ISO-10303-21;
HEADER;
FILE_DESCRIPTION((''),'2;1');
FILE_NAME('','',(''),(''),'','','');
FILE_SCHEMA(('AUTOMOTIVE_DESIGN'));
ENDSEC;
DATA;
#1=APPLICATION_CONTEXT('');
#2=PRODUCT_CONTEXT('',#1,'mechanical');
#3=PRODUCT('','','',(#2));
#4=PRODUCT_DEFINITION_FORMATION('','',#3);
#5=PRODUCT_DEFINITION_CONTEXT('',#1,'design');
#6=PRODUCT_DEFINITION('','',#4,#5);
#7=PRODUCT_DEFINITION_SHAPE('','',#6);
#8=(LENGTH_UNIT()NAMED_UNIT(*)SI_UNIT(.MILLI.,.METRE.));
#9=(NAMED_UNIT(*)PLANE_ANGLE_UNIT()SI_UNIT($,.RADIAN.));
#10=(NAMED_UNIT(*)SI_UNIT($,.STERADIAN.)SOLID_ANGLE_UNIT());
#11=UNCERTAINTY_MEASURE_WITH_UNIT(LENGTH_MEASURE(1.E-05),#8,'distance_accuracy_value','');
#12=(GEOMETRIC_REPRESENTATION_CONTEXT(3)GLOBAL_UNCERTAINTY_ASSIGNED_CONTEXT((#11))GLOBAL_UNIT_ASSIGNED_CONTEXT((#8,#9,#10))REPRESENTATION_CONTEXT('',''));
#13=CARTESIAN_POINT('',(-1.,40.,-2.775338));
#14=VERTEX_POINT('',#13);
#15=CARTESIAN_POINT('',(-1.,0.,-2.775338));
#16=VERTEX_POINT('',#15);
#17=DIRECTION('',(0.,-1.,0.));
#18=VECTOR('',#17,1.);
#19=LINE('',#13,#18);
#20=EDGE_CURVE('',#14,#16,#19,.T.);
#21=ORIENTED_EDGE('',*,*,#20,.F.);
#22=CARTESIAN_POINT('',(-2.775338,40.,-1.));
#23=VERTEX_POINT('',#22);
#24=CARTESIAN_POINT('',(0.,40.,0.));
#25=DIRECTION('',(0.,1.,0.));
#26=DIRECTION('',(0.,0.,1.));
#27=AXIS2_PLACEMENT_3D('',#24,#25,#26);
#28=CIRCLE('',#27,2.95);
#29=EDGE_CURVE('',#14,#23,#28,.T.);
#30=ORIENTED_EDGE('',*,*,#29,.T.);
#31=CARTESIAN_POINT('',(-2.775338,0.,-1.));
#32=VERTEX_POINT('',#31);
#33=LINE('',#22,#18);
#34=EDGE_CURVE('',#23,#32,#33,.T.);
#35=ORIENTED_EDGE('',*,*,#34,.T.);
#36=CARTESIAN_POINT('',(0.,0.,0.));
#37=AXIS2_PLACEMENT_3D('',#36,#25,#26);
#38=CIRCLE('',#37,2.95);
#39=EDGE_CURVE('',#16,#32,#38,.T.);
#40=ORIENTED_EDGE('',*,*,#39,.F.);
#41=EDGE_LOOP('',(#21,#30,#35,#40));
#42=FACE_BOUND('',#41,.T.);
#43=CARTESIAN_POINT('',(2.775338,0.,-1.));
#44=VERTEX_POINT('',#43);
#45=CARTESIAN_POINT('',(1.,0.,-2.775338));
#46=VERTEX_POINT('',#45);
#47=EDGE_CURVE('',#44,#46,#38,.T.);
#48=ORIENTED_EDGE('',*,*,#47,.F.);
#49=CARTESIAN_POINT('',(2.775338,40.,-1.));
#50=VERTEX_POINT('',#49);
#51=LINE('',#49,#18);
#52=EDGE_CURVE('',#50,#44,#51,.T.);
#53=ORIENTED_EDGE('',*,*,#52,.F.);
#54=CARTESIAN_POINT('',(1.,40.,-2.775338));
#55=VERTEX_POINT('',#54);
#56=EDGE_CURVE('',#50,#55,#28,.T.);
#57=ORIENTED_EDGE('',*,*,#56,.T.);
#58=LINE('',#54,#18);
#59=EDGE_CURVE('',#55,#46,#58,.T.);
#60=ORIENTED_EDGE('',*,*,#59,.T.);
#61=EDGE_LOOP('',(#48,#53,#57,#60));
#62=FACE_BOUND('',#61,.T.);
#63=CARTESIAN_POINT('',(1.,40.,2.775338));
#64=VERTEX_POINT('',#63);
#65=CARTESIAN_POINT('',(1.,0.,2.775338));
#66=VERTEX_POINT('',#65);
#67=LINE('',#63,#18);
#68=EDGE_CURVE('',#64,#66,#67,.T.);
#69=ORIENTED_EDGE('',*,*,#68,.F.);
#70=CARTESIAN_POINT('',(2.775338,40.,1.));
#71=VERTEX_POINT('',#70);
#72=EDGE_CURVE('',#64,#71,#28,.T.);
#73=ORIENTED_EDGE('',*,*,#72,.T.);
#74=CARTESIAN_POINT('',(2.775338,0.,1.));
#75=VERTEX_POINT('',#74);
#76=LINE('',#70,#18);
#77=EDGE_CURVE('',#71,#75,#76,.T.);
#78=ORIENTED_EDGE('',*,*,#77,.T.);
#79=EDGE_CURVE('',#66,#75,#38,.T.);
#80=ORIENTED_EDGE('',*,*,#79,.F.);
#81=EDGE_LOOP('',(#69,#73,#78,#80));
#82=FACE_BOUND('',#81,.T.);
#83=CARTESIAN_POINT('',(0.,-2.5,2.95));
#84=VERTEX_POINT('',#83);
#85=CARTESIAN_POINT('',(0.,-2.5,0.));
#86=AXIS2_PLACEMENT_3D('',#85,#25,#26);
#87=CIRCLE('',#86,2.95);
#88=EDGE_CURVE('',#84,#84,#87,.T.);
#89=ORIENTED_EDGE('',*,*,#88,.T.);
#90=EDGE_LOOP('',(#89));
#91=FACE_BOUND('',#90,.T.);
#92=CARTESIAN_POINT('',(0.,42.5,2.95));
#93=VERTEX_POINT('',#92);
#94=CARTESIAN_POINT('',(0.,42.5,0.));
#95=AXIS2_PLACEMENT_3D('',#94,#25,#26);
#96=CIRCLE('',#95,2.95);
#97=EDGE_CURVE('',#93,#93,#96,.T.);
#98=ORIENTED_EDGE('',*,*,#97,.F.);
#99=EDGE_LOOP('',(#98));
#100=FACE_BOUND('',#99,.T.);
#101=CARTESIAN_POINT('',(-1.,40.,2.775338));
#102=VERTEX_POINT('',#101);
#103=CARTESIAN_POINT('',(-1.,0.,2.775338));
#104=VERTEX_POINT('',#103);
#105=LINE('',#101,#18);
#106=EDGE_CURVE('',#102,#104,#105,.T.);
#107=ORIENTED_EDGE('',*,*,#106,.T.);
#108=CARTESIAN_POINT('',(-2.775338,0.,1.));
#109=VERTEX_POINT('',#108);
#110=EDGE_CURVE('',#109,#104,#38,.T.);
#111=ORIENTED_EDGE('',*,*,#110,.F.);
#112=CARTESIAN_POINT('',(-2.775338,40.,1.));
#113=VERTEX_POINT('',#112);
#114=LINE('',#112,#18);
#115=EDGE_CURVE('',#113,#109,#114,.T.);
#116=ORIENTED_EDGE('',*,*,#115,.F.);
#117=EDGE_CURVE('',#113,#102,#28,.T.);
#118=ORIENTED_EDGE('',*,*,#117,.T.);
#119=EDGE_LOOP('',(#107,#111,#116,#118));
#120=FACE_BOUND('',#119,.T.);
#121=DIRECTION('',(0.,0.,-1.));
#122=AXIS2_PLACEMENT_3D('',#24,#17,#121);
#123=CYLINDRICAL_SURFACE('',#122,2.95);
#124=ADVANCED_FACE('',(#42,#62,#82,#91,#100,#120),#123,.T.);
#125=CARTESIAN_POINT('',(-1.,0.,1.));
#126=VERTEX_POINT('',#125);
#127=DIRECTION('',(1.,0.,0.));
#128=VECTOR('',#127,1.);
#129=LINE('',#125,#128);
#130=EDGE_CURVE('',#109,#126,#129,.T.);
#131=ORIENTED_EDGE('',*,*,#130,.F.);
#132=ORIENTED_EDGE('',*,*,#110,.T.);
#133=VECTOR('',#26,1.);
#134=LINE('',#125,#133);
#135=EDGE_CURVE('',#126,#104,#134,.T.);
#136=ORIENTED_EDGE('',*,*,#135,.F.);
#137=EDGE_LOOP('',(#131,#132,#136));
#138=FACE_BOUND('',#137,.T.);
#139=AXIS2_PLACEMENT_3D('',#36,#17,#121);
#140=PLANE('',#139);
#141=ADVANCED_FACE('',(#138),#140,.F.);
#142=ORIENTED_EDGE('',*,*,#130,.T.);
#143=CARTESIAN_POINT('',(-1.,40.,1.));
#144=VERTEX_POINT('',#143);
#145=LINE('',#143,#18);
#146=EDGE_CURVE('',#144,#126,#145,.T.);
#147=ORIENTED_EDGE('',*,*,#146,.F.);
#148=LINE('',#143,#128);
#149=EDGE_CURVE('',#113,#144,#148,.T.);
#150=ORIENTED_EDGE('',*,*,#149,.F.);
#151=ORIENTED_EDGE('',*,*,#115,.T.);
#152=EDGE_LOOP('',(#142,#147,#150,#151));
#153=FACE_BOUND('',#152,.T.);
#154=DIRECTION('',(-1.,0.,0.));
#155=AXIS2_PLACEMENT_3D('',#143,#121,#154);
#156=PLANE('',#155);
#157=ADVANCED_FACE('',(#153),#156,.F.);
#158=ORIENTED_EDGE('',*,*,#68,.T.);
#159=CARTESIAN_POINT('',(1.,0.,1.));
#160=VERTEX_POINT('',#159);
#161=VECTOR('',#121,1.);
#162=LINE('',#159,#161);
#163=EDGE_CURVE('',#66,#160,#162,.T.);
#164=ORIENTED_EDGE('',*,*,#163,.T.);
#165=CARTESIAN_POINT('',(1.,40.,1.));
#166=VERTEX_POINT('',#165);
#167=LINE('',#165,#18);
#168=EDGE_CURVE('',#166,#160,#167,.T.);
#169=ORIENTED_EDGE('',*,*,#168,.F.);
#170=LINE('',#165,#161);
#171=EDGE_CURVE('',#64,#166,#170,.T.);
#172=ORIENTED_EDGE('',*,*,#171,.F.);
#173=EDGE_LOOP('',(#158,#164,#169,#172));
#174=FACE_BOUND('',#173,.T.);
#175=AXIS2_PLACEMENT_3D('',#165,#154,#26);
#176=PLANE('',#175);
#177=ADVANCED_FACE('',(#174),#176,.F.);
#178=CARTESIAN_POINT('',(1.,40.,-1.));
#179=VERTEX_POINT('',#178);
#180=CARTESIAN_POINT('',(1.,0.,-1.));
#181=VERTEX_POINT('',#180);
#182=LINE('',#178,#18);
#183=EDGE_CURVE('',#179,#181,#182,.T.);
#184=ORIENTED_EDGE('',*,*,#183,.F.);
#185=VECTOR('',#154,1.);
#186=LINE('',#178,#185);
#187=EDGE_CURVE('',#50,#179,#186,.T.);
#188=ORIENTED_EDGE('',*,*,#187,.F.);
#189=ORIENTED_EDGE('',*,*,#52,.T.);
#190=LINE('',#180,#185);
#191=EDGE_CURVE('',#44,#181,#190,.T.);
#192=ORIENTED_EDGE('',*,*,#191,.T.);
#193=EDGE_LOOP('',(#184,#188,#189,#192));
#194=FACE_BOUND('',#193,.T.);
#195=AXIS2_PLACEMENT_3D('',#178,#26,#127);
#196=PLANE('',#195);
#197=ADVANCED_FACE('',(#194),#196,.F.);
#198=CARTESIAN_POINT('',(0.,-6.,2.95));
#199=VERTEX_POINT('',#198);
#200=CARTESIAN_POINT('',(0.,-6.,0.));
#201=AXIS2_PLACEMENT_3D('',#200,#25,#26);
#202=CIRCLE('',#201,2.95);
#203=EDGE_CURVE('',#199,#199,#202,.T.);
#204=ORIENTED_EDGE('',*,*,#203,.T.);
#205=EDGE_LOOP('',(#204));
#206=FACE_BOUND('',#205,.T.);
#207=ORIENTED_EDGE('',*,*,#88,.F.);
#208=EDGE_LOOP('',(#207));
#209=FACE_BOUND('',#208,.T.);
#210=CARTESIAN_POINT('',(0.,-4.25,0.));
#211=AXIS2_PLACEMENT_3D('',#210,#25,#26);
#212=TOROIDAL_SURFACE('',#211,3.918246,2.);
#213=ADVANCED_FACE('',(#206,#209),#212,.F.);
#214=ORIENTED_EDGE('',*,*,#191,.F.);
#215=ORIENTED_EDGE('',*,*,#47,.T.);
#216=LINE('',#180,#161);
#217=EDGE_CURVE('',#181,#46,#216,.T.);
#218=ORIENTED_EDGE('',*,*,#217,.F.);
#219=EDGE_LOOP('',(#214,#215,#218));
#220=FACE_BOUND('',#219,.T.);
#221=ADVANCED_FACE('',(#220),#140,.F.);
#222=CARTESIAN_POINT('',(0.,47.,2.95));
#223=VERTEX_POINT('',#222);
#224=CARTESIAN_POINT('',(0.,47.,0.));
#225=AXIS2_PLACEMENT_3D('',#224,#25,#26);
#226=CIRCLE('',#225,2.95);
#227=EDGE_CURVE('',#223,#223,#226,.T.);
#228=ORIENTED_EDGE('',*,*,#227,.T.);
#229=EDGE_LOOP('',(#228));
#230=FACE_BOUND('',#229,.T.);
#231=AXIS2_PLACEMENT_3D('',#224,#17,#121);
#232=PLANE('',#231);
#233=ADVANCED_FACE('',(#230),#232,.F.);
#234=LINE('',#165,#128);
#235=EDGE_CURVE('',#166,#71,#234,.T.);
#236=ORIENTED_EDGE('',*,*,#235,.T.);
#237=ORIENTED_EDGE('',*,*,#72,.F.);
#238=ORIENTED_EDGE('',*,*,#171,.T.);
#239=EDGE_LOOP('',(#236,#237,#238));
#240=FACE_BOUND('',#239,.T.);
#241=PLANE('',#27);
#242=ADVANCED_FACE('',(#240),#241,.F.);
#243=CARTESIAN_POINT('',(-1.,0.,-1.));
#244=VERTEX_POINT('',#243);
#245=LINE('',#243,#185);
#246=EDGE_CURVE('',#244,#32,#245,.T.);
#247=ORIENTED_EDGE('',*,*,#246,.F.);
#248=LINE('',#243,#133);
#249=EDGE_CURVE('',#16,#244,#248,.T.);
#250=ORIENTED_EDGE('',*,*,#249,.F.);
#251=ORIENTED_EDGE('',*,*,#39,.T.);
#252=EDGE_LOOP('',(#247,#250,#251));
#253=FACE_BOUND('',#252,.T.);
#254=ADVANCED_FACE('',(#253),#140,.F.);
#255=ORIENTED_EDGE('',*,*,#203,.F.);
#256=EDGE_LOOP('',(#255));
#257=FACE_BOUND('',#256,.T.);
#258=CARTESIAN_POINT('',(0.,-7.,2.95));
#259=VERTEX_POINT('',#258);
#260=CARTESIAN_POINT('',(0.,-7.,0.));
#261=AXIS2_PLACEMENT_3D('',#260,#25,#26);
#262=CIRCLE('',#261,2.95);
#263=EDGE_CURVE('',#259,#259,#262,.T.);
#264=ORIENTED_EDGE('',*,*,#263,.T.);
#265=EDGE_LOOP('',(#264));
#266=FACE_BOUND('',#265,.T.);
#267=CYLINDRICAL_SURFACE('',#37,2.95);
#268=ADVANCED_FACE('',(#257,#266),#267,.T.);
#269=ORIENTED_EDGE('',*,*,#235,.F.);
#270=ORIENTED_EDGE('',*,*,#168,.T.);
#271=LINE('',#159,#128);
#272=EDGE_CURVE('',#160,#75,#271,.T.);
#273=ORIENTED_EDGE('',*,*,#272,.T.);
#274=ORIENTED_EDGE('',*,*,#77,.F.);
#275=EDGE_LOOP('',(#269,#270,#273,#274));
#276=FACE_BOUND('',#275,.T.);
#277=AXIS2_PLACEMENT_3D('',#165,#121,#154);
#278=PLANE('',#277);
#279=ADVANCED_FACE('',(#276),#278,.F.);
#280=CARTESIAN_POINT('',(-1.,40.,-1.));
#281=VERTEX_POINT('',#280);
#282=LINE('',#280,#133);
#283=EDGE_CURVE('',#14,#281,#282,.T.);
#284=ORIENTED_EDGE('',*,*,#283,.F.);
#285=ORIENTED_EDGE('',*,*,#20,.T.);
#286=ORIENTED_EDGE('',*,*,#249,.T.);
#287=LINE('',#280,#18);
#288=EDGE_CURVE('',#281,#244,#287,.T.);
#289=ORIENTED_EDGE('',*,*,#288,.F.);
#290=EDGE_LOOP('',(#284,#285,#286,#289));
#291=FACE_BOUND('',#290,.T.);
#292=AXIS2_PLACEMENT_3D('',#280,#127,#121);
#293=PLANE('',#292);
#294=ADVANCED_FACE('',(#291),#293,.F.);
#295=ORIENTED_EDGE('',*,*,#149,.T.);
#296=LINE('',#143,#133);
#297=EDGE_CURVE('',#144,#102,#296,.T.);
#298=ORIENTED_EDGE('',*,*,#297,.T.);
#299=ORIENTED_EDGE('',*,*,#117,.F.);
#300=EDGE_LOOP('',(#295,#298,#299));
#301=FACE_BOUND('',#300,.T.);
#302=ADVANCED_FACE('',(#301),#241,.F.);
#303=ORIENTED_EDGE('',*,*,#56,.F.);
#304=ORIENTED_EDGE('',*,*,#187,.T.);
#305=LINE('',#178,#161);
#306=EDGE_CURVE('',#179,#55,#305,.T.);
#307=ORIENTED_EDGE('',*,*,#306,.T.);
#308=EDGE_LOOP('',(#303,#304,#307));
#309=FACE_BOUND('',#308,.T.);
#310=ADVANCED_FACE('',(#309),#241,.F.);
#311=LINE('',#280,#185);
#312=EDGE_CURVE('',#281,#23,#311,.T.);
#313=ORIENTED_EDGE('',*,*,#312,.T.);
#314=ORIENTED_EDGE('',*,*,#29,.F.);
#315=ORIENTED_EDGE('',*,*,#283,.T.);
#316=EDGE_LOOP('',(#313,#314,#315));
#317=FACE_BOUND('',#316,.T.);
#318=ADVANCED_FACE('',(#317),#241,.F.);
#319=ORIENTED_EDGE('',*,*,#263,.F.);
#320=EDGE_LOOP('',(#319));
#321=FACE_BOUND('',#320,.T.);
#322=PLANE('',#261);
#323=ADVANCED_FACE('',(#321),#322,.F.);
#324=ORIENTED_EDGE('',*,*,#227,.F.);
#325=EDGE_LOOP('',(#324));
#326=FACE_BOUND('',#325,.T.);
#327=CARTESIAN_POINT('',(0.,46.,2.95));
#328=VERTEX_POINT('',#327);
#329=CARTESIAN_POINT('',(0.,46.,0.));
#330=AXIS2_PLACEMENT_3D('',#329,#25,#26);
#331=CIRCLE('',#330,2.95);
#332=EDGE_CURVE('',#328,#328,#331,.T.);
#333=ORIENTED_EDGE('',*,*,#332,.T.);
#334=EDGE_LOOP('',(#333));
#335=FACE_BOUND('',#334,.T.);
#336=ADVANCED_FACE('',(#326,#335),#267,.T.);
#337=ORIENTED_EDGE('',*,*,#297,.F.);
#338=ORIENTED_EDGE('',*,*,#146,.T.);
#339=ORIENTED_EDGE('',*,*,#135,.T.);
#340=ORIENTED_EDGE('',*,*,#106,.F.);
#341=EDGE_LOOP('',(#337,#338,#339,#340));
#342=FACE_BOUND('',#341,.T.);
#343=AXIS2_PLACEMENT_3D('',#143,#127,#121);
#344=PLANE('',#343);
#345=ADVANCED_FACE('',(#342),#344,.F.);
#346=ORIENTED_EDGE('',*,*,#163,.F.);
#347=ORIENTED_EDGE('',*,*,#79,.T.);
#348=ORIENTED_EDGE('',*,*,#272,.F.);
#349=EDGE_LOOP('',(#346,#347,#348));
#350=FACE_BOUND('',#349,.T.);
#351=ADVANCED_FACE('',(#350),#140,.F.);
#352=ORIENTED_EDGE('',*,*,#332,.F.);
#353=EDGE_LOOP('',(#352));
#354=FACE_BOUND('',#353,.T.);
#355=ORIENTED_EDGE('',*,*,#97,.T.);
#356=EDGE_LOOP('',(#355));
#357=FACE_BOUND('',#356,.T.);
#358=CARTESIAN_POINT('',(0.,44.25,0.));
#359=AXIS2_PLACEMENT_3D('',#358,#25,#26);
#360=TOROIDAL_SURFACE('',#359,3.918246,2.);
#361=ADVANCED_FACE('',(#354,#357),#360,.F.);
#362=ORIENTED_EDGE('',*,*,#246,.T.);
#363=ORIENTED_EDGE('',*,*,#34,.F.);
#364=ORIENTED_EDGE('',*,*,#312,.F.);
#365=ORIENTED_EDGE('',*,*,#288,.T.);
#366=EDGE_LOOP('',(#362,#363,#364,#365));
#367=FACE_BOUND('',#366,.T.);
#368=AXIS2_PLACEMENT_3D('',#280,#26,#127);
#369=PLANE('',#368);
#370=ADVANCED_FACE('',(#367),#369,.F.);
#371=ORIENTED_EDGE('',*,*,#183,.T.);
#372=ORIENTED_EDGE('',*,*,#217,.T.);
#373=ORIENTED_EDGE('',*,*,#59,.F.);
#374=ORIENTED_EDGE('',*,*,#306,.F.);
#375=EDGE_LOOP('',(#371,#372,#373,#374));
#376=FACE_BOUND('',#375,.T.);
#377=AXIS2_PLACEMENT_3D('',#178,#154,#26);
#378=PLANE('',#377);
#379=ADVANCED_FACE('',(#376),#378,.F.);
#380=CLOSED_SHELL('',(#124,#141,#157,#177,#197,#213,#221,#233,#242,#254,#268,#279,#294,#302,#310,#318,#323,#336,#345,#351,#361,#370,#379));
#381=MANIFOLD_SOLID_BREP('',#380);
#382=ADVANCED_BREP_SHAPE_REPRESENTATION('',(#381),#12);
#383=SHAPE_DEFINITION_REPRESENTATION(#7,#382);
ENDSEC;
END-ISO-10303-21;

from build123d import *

# Parameters (mm, degrees)
EXTRUDE_2_DEPTH = 40


with BuildPart() as part:
    # 草图1 → 凸台-拉伸2 (new body)
    with BuildSketch(Plane(origin=(0, 0, 0), x_dir=(1, 0, 0), z_dir=(0, 1, 0))):
        with BuildLine():
            Line((1, 1), (1, 2.775338))
            ThreePointArc((1, 2.775338), (0, 2.95), (-1, 2.775338))
            Line((-1, 2.775338), (-1, 1))
            Line((-1, 1), (-2.775338, 1))
            ThreePointArc((-2.775338, 1), (-2.95, 0), (-2.775338, -1))
            Line((-2.775338, -1), (-1, -1))
            Line((-1, -1), (-1, -2.775338))
            ThreePointArc((-1, -2.775338), (0, -2.95), (1, -2.775338))
            Line((1, -2.775338), (1, -1))
            Line((1, -1), (2.775338, -1))
            ThreePointArc((2.775338, -1), (2.95, 0), (2.775338, 1))
            Line((2.775338, 1), (1, 1))
        make_face()
    extrude(amount=EXTRUDE_2_DEPTH)

    # 草图3 → 旋转3 (revolve)
    with BuildSketch(Plane(origin=(0, 0, 0), x_dir=(0, 0, -1), z_dir=(1, 0, 0))):
        with BuildLine():
            Line((0, 40), (0, 47))
            Line((0, 47), (2.95, 47))
            Line((2.95, 47), (2.95, 46))
            ThreePointArc((2.95, 46), (1.918246, 44.25), (2.95, 42.5))
            Line((2.95, 42.5), (2.95, 40))
            Line((2.95, 40), (0, 40))
        make_face()
        with BuildLine():
            Line((0, 0), (0, -7))
            Line((0, -7), (2.95, -7))
            Line((2.95, -7), (2.95, -6))
            ThreePointArc((2.95, -6), (1.918246, -4.25), (2.95, -2.5))
            Line((2.95, -2.5), (2.95, 0))
            Line((2.95, 0), (0, 0))
        make_face()
    revolve(axis=Axis((0, 0, 0), (0, -1, 0)))


solid = part.part
